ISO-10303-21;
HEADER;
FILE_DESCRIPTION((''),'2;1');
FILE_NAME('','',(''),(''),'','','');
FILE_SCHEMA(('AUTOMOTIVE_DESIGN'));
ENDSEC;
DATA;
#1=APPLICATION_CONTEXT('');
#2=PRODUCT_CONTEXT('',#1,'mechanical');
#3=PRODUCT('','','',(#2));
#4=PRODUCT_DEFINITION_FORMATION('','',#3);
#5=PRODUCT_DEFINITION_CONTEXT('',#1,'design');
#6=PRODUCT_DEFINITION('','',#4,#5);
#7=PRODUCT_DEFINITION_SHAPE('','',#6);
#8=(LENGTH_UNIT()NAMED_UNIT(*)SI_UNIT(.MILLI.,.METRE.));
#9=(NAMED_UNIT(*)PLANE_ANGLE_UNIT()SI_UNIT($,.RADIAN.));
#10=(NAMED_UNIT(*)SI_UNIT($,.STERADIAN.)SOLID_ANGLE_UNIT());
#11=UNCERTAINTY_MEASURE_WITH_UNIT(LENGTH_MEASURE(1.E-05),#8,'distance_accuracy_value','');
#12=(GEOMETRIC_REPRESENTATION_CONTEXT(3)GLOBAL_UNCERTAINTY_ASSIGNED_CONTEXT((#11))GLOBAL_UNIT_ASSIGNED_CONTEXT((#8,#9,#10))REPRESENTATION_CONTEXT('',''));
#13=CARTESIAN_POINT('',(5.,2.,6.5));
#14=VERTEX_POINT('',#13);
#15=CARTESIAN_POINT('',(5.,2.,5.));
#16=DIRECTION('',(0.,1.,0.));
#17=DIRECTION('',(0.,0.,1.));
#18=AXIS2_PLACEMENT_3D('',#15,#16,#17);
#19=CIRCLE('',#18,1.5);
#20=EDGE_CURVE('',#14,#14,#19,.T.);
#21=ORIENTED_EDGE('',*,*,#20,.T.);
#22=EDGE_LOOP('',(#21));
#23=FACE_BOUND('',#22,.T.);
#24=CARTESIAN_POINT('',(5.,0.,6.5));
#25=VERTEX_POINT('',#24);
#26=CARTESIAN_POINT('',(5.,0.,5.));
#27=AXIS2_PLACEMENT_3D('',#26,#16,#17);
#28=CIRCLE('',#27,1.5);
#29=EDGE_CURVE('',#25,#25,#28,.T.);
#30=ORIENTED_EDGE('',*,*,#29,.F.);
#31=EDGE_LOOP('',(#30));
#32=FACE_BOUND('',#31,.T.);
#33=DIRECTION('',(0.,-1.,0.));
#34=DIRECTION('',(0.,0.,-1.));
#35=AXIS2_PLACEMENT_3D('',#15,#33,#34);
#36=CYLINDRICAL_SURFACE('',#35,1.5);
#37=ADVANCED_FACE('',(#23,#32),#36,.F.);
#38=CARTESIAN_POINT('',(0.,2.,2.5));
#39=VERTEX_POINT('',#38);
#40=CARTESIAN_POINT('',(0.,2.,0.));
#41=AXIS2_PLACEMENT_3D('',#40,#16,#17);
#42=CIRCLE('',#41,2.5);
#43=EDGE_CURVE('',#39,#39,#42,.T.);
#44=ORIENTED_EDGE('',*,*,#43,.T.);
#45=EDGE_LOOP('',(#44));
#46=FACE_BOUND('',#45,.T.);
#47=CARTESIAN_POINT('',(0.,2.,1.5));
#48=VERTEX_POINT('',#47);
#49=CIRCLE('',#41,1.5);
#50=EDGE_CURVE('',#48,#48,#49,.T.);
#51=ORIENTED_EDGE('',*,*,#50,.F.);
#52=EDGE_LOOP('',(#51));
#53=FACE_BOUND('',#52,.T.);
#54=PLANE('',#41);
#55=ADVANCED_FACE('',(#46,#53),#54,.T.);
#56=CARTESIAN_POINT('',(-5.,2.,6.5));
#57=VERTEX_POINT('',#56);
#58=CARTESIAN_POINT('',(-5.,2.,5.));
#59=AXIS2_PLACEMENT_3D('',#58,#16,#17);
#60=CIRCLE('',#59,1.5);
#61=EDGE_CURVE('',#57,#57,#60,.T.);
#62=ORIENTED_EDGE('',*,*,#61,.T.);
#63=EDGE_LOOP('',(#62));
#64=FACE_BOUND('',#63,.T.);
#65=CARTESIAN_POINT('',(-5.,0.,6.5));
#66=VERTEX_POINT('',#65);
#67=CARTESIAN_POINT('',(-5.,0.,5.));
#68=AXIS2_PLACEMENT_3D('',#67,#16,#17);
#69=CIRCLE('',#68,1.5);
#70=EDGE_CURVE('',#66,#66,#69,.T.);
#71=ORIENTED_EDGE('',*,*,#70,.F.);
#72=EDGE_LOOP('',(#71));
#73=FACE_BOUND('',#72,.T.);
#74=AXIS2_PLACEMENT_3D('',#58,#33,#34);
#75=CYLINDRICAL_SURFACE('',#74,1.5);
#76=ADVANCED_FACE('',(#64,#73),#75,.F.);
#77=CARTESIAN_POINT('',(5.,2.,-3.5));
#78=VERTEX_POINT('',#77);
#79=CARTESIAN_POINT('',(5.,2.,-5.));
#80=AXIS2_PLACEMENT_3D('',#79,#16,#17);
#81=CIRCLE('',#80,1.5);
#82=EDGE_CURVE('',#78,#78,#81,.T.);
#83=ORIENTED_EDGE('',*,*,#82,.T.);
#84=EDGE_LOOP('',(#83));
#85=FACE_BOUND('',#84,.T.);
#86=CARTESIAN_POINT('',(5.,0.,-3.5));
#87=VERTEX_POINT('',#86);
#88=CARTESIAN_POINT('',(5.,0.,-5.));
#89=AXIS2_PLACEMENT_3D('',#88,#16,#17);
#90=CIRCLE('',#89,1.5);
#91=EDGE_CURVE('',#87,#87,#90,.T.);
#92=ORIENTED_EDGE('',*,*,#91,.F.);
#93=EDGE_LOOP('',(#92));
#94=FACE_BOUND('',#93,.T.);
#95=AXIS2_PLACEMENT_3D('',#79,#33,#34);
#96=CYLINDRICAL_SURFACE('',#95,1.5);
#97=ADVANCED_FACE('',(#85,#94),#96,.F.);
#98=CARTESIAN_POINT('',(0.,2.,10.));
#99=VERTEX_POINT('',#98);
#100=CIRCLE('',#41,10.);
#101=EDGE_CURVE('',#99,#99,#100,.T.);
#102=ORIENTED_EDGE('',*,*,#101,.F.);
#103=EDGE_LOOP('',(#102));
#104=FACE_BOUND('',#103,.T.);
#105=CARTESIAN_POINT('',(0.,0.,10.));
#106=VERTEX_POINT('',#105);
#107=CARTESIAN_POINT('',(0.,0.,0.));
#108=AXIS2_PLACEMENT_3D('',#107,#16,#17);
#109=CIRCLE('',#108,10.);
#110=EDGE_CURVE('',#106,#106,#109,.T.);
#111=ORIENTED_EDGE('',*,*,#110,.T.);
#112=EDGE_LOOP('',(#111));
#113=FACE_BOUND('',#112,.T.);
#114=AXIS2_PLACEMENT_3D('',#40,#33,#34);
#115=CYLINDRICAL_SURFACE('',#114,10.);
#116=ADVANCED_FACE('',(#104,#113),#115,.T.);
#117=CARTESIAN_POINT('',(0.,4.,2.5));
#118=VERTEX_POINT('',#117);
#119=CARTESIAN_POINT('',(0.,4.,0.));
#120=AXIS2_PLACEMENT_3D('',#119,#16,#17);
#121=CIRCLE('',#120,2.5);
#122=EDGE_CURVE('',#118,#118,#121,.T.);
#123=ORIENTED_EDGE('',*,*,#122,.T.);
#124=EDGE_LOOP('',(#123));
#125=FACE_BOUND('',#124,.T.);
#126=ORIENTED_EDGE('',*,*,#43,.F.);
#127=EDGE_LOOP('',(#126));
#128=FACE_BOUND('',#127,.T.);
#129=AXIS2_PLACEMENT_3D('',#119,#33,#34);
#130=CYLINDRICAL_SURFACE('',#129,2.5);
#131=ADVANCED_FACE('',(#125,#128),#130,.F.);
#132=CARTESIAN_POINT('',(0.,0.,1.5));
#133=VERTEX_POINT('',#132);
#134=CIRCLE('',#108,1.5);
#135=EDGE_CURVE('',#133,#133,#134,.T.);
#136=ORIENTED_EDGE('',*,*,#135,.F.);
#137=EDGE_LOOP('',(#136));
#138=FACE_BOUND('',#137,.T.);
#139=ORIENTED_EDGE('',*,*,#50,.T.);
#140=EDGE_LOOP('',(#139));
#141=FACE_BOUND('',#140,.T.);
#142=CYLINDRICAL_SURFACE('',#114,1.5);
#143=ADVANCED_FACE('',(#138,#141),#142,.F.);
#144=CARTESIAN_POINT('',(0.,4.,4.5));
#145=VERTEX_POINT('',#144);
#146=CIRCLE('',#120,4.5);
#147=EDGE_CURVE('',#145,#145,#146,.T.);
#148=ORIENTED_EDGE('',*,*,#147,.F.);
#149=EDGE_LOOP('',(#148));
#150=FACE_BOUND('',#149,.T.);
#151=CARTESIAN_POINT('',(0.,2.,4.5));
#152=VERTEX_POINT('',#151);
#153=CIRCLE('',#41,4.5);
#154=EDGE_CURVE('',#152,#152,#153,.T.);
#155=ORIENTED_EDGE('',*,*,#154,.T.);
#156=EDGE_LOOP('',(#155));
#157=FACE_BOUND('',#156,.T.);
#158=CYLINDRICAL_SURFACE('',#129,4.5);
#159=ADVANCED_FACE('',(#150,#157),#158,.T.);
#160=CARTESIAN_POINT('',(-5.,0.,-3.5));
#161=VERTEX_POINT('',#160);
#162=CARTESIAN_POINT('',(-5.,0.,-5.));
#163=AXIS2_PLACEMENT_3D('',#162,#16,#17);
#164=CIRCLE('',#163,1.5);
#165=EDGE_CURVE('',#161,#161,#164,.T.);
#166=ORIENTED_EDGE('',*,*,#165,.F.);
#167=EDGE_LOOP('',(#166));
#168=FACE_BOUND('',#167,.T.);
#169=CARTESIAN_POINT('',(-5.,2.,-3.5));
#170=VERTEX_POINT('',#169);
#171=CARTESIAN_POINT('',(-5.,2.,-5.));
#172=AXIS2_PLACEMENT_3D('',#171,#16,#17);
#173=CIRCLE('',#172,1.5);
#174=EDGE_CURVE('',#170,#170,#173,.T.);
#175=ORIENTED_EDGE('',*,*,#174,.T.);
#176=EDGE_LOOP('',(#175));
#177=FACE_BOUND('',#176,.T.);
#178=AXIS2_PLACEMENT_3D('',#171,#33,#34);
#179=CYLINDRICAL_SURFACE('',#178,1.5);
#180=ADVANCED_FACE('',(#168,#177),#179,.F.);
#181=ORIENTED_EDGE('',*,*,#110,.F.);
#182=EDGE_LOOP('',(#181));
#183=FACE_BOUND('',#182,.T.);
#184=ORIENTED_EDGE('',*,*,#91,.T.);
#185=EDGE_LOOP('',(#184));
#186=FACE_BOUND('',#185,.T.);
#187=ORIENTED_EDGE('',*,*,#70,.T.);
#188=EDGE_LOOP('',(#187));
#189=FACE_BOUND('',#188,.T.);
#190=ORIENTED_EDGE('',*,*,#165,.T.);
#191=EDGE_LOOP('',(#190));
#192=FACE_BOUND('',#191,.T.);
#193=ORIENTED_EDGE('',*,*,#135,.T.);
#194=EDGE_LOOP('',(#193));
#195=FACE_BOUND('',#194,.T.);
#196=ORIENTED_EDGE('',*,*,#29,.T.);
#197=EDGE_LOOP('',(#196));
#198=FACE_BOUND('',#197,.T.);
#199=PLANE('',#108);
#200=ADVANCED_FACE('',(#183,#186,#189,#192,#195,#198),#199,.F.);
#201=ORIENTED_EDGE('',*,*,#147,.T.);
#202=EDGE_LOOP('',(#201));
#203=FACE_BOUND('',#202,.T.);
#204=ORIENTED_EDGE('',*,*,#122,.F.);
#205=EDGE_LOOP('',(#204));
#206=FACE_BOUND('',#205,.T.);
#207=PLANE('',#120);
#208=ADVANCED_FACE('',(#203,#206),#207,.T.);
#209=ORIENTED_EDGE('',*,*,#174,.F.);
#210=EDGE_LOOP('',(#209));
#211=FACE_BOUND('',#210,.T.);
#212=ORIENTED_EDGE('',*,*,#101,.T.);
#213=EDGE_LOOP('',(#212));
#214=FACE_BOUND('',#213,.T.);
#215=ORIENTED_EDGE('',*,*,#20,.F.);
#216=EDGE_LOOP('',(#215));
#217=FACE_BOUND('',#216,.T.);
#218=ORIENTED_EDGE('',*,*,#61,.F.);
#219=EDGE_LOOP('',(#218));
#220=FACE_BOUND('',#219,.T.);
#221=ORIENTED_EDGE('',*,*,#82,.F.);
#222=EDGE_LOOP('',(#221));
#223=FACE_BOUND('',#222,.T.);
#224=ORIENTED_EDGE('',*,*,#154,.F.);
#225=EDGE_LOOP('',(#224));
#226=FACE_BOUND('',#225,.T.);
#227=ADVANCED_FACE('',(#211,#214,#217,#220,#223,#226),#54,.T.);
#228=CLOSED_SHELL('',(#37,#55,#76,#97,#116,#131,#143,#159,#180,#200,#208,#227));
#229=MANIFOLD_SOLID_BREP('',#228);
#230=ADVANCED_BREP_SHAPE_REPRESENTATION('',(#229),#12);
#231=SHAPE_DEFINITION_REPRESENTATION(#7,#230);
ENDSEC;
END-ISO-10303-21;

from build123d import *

# Parameters (mm, degrees)
SKETCH1_R           = 10
SKETCH1_R_2         = 1.5
BOSS_EXTRUDE1_DEPTH = 2
SKETCH2_R           = 4.5
SKETCH2_R_2         = 2.5
BOSS_EXTRUDE2_DEPTH = 2


with BuildPart() as part:
    # Sketch1 → Boss-Extrude1 (new body)
    with BuildSketch(Plane(origin=(0, 0, 0), x_dir=(1, 0, 0), z_dir=(0, 1, 0))):
        with Locations(Location((0, 0, 0), (0, 0, 270))):
            Circle(SKETCH1_R)
        with Locations(Location((0, 0, 0), (0, 0, 270))):
            Circle(SKETCH1_R_2, mode=Mode.SUBTRACT)
        with Locations(Location((-5, 5, 0), (0, 0, 270))):
            Circle(SKETCH1_R_2, mode=Mode.SUBTRACT)
        with Locations(Location((5, 5, 0), (0, 0, 270))):
            Circle(SKETCH1_R_2, mode=Mode.SUBTRACT)
        with Locations(Location((5, -5, 0), (0, 0, 270))):
            Circle(SKETCH1_R_2, mode=Mode.SUBTRACT)
        with Locations(Location((-5, -5, 0), (0, 0, 270))):
            Circle(SKETCH1_R_2, mode=Mode.SUBTRACT)
    extrude(amount=BOSS_EXTRUDE1_DEPTH)

    # Sketch2 → Boss-Extrude2 (add)
    with BuildSketch(Plane(origin=(0, 2, 0), x_dir=(1, 0, 0), z_dir=(0, 1, 0))):
        with Locations(Location((0, 0, 0), (0, 0, 270))):
            Circle(SKETCH2_R)
        with Locations(Location((0, 0, 0), (0, 0, 270))):
            Circle(SKETCH2_R_2, mode=Mode.SUBTRACT)
    extrude(amount=BOSS_EXTRUDE2_DEPTH)


solid = part.part
